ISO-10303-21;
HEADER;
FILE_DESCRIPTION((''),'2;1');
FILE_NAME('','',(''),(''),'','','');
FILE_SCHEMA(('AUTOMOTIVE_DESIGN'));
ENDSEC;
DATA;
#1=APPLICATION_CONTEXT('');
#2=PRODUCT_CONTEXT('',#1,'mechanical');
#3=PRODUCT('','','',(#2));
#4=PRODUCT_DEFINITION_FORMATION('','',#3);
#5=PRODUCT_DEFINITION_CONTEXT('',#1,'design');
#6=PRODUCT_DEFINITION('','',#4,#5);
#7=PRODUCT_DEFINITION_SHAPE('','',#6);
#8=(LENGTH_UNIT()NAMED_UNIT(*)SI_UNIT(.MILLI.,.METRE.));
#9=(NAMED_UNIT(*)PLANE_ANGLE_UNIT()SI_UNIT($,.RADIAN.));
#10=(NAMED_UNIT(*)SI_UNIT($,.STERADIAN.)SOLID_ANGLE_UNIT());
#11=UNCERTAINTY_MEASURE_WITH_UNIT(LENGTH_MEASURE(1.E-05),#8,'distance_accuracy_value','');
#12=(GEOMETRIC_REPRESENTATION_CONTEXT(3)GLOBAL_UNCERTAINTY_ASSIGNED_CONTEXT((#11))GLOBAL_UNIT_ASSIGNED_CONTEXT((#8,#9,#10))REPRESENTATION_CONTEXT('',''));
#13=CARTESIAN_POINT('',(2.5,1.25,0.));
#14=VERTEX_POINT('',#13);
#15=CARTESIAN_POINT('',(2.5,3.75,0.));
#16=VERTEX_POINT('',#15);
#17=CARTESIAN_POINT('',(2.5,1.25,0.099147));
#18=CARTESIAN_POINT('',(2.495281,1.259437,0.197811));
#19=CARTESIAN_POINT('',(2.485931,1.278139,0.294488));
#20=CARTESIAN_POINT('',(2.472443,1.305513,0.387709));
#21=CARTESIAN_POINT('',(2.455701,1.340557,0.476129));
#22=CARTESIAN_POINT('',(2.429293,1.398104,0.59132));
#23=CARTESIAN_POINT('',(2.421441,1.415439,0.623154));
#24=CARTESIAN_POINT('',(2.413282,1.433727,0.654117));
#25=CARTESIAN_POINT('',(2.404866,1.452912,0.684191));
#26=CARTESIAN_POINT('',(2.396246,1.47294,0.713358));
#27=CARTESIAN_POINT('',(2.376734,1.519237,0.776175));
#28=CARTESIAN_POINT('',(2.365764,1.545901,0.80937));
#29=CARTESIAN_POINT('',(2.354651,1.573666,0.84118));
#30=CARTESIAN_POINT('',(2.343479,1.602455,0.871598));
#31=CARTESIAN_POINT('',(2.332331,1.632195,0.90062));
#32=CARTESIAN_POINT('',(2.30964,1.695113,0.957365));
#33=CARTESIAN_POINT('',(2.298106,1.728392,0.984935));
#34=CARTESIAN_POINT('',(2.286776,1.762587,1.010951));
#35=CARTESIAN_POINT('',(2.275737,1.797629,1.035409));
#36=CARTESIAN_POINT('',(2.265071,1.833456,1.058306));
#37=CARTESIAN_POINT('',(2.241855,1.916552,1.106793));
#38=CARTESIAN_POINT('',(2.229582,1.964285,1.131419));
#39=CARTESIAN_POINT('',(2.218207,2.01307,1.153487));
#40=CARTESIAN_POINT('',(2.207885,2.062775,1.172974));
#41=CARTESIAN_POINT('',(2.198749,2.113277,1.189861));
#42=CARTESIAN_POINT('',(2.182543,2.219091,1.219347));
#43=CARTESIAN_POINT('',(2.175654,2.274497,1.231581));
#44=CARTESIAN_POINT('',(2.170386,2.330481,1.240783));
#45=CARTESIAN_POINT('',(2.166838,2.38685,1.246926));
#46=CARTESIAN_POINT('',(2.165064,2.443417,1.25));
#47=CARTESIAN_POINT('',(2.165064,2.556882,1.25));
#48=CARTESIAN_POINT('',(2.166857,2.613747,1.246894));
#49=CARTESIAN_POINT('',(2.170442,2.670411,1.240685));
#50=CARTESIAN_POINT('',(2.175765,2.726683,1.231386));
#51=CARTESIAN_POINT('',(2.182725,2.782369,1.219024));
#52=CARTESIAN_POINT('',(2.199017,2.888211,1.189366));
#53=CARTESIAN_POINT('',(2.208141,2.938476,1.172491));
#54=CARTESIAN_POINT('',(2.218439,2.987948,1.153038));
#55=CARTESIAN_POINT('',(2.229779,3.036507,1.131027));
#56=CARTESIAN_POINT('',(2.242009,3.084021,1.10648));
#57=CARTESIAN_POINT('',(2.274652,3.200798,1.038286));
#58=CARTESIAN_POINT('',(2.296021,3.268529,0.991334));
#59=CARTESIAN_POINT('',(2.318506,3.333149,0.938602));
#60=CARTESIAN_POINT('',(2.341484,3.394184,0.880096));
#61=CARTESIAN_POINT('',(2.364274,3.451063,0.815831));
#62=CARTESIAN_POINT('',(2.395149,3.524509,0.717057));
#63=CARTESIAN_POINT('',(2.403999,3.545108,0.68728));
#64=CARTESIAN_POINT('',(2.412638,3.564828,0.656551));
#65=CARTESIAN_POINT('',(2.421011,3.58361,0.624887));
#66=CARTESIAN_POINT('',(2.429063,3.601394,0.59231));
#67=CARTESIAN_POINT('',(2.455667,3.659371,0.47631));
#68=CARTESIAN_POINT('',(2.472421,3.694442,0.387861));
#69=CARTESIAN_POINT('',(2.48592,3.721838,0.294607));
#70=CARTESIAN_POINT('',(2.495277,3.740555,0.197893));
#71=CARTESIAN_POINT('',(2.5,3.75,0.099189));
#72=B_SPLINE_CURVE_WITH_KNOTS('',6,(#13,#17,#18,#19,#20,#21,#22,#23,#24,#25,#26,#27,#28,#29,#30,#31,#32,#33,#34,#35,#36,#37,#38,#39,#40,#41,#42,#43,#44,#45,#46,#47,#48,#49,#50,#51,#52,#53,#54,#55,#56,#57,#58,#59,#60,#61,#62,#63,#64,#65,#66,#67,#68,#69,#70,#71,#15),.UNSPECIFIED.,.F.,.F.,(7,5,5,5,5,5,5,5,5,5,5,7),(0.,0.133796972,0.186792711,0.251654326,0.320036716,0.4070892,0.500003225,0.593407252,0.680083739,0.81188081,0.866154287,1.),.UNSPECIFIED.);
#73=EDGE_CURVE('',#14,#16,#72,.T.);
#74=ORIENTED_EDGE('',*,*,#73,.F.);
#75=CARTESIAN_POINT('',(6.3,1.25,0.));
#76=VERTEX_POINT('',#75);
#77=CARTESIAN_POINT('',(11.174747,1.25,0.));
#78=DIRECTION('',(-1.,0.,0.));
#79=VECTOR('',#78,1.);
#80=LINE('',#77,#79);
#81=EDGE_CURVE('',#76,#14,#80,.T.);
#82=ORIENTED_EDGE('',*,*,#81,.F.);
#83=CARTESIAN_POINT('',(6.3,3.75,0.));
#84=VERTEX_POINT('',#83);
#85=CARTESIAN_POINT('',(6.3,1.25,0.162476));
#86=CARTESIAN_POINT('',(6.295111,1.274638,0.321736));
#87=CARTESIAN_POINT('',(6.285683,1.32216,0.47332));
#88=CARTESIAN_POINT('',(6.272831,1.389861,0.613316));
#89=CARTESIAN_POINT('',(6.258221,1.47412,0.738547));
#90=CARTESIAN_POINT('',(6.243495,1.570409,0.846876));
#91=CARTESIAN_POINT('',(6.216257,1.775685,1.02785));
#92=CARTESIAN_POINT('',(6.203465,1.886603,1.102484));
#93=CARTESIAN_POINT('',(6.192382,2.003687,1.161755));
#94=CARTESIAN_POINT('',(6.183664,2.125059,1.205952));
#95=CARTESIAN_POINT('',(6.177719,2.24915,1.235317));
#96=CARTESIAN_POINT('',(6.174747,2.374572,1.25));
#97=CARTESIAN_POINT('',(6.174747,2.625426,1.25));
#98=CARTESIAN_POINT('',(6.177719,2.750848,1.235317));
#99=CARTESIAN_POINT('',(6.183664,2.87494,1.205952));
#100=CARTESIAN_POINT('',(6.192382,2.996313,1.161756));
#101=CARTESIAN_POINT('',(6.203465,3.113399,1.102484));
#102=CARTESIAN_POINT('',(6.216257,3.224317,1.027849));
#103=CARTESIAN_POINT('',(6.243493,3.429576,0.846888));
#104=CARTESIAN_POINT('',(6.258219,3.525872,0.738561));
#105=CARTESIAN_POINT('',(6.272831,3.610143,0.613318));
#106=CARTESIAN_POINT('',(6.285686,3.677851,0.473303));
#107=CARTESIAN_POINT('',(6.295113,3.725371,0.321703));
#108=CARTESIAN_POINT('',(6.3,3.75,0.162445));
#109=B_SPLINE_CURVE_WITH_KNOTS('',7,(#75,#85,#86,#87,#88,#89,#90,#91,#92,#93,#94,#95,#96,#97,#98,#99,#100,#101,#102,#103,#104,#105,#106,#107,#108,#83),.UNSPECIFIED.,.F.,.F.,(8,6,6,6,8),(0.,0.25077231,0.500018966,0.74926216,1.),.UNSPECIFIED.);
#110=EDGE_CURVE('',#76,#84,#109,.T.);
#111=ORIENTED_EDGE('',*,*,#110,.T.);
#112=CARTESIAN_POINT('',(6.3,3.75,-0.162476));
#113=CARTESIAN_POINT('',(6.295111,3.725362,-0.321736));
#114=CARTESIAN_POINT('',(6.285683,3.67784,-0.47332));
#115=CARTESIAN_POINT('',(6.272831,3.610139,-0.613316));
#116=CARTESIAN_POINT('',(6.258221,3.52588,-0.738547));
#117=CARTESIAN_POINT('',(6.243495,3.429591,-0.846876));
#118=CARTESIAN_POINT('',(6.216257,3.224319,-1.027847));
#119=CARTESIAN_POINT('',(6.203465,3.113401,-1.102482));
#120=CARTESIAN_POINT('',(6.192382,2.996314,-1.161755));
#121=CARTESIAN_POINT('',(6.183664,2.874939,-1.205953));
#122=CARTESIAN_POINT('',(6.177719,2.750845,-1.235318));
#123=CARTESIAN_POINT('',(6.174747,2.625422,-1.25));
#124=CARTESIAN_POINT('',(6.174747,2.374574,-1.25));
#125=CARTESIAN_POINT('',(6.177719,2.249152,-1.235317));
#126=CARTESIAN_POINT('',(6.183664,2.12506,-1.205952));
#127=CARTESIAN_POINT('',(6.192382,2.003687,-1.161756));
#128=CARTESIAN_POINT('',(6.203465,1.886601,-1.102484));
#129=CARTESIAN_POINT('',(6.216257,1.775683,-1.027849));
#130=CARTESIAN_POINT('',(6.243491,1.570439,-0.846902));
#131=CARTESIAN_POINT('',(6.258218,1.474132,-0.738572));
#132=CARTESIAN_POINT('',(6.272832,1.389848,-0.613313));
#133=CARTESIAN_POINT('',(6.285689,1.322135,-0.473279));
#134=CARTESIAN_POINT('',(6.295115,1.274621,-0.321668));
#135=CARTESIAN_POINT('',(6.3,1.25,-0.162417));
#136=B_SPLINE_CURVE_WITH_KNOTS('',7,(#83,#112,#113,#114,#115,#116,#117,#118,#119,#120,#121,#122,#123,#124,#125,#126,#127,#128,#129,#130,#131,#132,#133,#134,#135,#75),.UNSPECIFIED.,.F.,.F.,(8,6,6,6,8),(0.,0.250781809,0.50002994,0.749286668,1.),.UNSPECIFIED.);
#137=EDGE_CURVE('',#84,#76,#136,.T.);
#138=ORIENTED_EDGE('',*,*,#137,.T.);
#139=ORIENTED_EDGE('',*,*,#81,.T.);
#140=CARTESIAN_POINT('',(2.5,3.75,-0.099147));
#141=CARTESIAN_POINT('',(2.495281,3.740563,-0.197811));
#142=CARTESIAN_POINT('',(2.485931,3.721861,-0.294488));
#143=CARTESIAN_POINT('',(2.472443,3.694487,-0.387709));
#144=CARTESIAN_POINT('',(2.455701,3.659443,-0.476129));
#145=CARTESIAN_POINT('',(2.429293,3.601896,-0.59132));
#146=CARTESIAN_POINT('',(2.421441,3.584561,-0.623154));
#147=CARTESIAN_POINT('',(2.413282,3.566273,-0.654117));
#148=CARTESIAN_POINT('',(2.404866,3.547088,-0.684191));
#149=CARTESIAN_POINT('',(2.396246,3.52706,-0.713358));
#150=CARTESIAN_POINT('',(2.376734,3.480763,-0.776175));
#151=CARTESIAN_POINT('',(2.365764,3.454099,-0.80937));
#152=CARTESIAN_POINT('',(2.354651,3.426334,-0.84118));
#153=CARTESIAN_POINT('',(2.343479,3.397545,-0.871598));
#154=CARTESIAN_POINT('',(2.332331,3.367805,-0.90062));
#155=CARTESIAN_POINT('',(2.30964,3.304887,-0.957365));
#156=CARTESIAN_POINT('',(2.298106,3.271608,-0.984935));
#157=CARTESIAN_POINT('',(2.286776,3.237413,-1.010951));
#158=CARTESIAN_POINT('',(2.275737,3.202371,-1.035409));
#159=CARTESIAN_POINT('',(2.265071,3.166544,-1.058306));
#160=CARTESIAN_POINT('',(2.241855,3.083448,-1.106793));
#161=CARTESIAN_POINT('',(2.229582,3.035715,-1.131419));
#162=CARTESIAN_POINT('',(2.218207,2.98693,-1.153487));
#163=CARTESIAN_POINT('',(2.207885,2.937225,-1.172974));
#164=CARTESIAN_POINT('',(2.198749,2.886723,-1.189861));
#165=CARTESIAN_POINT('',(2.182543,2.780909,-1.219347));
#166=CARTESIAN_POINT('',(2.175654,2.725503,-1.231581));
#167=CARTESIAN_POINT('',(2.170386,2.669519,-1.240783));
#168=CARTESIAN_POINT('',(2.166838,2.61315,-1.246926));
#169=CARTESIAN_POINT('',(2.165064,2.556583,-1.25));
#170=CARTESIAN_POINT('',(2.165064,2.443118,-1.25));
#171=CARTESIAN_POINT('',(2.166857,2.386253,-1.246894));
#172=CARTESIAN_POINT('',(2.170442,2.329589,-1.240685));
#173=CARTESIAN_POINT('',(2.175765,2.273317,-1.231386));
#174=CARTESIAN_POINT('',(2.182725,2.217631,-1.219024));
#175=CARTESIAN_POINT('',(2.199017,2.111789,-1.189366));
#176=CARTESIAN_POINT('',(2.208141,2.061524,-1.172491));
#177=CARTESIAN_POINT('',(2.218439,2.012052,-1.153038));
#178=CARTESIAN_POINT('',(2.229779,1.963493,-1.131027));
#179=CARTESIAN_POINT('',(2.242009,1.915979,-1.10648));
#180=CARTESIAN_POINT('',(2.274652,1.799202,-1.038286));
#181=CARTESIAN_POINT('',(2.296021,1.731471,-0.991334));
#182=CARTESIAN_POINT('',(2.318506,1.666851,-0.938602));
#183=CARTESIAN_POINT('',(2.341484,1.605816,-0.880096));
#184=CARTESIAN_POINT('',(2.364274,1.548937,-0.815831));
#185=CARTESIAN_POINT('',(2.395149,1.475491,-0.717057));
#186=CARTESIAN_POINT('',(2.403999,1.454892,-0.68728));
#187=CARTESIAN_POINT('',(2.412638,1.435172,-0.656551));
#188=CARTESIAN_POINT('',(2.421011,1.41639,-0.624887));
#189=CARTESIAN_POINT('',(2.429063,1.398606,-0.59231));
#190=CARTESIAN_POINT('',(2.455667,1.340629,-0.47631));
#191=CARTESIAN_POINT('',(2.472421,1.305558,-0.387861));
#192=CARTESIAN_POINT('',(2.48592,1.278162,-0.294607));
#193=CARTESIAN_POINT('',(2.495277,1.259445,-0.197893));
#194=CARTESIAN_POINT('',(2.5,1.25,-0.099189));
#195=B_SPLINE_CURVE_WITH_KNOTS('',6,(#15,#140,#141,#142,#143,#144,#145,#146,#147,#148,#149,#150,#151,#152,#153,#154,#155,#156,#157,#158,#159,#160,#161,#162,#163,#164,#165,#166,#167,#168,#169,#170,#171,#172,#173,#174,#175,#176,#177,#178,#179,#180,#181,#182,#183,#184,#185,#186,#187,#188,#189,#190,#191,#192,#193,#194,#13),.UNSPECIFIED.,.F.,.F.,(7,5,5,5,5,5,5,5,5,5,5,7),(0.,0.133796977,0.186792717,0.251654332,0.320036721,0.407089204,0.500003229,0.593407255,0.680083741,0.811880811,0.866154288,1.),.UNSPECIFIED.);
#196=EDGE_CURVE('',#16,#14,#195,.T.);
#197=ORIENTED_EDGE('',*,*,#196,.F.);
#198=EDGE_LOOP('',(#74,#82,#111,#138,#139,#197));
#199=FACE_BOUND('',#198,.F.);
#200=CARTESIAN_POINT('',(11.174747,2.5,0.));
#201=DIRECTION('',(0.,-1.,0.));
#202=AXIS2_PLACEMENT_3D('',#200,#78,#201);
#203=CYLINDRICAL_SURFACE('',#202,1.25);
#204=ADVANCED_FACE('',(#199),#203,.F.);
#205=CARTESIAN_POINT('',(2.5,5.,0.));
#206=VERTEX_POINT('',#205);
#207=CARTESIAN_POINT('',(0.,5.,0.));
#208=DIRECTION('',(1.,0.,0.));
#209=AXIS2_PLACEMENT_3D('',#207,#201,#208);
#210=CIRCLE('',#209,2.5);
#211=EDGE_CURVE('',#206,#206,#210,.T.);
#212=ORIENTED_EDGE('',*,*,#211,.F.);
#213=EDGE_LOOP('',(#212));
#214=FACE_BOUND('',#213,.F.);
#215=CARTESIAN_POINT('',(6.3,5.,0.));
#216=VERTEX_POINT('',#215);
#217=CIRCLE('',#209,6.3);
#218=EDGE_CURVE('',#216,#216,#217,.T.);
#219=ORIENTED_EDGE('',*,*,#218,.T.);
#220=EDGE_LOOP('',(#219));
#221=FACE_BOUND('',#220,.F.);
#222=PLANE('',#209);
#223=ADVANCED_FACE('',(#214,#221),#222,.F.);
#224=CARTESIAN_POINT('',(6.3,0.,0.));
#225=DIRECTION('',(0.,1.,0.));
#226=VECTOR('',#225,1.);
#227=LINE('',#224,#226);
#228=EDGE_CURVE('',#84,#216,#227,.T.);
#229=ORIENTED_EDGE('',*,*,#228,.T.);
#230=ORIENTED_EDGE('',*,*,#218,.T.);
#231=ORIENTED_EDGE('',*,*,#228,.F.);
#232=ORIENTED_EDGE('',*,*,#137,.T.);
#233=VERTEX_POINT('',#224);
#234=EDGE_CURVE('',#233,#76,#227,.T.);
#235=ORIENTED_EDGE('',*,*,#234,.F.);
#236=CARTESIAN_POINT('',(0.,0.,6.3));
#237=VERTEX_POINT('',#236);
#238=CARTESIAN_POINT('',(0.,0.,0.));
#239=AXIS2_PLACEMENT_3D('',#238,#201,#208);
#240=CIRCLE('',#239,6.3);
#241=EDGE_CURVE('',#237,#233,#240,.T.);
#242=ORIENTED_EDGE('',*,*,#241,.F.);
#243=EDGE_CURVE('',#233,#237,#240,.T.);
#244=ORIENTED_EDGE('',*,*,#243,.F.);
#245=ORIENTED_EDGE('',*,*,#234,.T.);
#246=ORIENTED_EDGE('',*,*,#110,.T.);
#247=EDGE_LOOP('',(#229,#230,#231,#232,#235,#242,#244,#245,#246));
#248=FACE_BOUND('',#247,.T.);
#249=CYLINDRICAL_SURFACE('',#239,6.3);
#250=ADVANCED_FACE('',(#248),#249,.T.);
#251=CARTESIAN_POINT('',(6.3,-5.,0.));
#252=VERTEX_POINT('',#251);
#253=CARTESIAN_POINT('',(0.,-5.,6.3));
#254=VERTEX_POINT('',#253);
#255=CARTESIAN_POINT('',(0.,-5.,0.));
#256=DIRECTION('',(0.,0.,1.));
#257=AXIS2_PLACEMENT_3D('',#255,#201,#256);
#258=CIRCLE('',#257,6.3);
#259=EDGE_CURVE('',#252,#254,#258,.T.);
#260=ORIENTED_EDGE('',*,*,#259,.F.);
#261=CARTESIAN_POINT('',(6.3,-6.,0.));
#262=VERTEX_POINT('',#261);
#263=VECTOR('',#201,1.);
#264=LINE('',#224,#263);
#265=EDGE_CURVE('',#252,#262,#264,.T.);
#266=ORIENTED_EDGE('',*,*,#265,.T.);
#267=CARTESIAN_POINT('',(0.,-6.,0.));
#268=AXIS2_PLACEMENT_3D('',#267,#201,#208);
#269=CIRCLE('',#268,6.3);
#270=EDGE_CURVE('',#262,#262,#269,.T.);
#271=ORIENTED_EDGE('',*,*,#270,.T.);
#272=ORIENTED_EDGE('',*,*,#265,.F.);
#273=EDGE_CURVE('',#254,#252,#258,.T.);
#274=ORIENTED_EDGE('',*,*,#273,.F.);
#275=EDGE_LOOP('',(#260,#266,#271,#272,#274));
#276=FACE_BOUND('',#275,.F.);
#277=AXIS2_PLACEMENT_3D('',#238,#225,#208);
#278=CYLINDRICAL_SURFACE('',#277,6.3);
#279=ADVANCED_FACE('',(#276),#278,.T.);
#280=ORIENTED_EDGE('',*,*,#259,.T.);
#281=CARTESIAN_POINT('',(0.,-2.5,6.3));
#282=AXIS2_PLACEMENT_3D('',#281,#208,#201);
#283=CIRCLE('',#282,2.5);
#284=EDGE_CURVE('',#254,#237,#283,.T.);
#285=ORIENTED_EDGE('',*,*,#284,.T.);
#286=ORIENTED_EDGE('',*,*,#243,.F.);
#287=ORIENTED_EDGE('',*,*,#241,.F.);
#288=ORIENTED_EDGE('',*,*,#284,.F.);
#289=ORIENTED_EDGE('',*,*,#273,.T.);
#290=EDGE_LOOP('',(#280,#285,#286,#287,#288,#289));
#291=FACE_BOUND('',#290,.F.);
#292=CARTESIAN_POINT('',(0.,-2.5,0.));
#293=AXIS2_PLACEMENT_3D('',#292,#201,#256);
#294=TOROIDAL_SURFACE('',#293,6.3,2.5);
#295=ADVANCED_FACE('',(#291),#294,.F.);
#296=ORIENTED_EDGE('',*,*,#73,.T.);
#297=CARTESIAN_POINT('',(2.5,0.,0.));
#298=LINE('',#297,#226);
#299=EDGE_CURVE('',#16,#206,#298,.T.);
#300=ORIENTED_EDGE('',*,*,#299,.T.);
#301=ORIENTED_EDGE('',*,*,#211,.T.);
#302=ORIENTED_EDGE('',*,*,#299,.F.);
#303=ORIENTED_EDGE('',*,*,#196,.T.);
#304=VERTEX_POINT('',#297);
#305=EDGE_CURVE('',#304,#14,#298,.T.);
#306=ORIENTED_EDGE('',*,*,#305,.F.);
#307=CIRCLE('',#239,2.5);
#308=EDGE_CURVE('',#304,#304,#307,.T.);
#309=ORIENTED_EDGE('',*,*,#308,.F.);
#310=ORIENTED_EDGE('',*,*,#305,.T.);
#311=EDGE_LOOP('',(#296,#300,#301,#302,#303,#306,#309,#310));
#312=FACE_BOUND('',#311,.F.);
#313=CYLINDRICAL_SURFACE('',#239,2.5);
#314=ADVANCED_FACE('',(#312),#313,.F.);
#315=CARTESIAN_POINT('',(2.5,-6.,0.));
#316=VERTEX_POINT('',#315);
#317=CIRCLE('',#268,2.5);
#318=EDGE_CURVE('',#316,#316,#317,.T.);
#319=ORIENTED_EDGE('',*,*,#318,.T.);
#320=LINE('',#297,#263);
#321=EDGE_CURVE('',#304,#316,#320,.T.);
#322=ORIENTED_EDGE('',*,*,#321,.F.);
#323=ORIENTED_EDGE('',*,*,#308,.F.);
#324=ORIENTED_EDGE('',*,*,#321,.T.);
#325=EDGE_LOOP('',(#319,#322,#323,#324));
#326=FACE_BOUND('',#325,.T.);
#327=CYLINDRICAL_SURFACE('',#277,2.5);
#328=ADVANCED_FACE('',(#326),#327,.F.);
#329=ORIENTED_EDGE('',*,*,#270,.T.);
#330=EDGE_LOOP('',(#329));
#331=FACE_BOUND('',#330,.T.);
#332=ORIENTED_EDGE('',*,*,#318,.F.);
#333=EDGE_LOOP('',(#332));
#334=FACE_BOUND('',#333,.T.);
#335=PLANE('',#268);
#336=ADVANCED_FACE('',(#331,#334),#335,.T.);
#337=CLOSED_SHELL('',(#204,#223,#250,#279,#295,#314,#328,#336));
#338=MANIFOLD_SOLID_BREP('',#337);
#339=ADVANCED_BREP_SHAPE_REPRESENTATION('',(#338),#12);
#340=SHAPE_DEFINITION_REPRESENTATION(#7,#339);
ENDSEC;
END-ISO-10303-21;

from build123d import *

# Parameters (mm, degrees)
F0_R          = 6.3
F0_R_2        = 2.5
F1_DEPTH      = 5
F1_DEPTH_BACK = 6
F6_D          = 2.5
F6_DEPTH      = 5
F6_START      = 0.1252531
F6_TIP        = 0.7510757738


with BuildPart() as f1:
    # F0 (on Front) → F1 (new body, two sides)
    with BuildSketch(Plane.XZ) as f1_sk:
        Circle(F0_R)
        Circle(F0_R_2, mode=Mode.SUBTRACT)
    extrude(amount=-F1_DEPTH)
    extrude(f1_sk.sketch, amount=F1_DEPTH_BACK)

    # F2 (on Right) → F3 (revolve, cut)
    with BuildSketch(Plane.YZ):
        with BuildLine():
            ThreePointArc((0, 6.3), (-2.5, 8.8), (-5, 6.3))
            Line((-5, 6.3), (0, 6.3))
        make_face()
        with BuildLine():
            Line((0, 6.3), (-5, 6.3))
            ThreePointArc((-5, 6.3), (-2.5, 3.8), (0, 6.3))
        make_face()
    revolve(axis=Axis((0, -6, 0), (0, -1, 0)), mode=Mode.SUBTRACT)

    # F6
    # its depths count from where the whole tool has entered the part; down to there all is cleared
    with Locations(Plane.YZ.offset(6.3).offset(-F6_START)):
        with Locations((2.5, 0)):
            Hole(F6_D / 2, depth=F6_DEPTH)
            with Locations((0, 0, -(F6_DEPTH + F6_TIP / 2))):  # 118° drill point
                Cone(0, F6_D / 2, F6_TIP, mode=Mode.SUBTRACT)


solid = f1.part
